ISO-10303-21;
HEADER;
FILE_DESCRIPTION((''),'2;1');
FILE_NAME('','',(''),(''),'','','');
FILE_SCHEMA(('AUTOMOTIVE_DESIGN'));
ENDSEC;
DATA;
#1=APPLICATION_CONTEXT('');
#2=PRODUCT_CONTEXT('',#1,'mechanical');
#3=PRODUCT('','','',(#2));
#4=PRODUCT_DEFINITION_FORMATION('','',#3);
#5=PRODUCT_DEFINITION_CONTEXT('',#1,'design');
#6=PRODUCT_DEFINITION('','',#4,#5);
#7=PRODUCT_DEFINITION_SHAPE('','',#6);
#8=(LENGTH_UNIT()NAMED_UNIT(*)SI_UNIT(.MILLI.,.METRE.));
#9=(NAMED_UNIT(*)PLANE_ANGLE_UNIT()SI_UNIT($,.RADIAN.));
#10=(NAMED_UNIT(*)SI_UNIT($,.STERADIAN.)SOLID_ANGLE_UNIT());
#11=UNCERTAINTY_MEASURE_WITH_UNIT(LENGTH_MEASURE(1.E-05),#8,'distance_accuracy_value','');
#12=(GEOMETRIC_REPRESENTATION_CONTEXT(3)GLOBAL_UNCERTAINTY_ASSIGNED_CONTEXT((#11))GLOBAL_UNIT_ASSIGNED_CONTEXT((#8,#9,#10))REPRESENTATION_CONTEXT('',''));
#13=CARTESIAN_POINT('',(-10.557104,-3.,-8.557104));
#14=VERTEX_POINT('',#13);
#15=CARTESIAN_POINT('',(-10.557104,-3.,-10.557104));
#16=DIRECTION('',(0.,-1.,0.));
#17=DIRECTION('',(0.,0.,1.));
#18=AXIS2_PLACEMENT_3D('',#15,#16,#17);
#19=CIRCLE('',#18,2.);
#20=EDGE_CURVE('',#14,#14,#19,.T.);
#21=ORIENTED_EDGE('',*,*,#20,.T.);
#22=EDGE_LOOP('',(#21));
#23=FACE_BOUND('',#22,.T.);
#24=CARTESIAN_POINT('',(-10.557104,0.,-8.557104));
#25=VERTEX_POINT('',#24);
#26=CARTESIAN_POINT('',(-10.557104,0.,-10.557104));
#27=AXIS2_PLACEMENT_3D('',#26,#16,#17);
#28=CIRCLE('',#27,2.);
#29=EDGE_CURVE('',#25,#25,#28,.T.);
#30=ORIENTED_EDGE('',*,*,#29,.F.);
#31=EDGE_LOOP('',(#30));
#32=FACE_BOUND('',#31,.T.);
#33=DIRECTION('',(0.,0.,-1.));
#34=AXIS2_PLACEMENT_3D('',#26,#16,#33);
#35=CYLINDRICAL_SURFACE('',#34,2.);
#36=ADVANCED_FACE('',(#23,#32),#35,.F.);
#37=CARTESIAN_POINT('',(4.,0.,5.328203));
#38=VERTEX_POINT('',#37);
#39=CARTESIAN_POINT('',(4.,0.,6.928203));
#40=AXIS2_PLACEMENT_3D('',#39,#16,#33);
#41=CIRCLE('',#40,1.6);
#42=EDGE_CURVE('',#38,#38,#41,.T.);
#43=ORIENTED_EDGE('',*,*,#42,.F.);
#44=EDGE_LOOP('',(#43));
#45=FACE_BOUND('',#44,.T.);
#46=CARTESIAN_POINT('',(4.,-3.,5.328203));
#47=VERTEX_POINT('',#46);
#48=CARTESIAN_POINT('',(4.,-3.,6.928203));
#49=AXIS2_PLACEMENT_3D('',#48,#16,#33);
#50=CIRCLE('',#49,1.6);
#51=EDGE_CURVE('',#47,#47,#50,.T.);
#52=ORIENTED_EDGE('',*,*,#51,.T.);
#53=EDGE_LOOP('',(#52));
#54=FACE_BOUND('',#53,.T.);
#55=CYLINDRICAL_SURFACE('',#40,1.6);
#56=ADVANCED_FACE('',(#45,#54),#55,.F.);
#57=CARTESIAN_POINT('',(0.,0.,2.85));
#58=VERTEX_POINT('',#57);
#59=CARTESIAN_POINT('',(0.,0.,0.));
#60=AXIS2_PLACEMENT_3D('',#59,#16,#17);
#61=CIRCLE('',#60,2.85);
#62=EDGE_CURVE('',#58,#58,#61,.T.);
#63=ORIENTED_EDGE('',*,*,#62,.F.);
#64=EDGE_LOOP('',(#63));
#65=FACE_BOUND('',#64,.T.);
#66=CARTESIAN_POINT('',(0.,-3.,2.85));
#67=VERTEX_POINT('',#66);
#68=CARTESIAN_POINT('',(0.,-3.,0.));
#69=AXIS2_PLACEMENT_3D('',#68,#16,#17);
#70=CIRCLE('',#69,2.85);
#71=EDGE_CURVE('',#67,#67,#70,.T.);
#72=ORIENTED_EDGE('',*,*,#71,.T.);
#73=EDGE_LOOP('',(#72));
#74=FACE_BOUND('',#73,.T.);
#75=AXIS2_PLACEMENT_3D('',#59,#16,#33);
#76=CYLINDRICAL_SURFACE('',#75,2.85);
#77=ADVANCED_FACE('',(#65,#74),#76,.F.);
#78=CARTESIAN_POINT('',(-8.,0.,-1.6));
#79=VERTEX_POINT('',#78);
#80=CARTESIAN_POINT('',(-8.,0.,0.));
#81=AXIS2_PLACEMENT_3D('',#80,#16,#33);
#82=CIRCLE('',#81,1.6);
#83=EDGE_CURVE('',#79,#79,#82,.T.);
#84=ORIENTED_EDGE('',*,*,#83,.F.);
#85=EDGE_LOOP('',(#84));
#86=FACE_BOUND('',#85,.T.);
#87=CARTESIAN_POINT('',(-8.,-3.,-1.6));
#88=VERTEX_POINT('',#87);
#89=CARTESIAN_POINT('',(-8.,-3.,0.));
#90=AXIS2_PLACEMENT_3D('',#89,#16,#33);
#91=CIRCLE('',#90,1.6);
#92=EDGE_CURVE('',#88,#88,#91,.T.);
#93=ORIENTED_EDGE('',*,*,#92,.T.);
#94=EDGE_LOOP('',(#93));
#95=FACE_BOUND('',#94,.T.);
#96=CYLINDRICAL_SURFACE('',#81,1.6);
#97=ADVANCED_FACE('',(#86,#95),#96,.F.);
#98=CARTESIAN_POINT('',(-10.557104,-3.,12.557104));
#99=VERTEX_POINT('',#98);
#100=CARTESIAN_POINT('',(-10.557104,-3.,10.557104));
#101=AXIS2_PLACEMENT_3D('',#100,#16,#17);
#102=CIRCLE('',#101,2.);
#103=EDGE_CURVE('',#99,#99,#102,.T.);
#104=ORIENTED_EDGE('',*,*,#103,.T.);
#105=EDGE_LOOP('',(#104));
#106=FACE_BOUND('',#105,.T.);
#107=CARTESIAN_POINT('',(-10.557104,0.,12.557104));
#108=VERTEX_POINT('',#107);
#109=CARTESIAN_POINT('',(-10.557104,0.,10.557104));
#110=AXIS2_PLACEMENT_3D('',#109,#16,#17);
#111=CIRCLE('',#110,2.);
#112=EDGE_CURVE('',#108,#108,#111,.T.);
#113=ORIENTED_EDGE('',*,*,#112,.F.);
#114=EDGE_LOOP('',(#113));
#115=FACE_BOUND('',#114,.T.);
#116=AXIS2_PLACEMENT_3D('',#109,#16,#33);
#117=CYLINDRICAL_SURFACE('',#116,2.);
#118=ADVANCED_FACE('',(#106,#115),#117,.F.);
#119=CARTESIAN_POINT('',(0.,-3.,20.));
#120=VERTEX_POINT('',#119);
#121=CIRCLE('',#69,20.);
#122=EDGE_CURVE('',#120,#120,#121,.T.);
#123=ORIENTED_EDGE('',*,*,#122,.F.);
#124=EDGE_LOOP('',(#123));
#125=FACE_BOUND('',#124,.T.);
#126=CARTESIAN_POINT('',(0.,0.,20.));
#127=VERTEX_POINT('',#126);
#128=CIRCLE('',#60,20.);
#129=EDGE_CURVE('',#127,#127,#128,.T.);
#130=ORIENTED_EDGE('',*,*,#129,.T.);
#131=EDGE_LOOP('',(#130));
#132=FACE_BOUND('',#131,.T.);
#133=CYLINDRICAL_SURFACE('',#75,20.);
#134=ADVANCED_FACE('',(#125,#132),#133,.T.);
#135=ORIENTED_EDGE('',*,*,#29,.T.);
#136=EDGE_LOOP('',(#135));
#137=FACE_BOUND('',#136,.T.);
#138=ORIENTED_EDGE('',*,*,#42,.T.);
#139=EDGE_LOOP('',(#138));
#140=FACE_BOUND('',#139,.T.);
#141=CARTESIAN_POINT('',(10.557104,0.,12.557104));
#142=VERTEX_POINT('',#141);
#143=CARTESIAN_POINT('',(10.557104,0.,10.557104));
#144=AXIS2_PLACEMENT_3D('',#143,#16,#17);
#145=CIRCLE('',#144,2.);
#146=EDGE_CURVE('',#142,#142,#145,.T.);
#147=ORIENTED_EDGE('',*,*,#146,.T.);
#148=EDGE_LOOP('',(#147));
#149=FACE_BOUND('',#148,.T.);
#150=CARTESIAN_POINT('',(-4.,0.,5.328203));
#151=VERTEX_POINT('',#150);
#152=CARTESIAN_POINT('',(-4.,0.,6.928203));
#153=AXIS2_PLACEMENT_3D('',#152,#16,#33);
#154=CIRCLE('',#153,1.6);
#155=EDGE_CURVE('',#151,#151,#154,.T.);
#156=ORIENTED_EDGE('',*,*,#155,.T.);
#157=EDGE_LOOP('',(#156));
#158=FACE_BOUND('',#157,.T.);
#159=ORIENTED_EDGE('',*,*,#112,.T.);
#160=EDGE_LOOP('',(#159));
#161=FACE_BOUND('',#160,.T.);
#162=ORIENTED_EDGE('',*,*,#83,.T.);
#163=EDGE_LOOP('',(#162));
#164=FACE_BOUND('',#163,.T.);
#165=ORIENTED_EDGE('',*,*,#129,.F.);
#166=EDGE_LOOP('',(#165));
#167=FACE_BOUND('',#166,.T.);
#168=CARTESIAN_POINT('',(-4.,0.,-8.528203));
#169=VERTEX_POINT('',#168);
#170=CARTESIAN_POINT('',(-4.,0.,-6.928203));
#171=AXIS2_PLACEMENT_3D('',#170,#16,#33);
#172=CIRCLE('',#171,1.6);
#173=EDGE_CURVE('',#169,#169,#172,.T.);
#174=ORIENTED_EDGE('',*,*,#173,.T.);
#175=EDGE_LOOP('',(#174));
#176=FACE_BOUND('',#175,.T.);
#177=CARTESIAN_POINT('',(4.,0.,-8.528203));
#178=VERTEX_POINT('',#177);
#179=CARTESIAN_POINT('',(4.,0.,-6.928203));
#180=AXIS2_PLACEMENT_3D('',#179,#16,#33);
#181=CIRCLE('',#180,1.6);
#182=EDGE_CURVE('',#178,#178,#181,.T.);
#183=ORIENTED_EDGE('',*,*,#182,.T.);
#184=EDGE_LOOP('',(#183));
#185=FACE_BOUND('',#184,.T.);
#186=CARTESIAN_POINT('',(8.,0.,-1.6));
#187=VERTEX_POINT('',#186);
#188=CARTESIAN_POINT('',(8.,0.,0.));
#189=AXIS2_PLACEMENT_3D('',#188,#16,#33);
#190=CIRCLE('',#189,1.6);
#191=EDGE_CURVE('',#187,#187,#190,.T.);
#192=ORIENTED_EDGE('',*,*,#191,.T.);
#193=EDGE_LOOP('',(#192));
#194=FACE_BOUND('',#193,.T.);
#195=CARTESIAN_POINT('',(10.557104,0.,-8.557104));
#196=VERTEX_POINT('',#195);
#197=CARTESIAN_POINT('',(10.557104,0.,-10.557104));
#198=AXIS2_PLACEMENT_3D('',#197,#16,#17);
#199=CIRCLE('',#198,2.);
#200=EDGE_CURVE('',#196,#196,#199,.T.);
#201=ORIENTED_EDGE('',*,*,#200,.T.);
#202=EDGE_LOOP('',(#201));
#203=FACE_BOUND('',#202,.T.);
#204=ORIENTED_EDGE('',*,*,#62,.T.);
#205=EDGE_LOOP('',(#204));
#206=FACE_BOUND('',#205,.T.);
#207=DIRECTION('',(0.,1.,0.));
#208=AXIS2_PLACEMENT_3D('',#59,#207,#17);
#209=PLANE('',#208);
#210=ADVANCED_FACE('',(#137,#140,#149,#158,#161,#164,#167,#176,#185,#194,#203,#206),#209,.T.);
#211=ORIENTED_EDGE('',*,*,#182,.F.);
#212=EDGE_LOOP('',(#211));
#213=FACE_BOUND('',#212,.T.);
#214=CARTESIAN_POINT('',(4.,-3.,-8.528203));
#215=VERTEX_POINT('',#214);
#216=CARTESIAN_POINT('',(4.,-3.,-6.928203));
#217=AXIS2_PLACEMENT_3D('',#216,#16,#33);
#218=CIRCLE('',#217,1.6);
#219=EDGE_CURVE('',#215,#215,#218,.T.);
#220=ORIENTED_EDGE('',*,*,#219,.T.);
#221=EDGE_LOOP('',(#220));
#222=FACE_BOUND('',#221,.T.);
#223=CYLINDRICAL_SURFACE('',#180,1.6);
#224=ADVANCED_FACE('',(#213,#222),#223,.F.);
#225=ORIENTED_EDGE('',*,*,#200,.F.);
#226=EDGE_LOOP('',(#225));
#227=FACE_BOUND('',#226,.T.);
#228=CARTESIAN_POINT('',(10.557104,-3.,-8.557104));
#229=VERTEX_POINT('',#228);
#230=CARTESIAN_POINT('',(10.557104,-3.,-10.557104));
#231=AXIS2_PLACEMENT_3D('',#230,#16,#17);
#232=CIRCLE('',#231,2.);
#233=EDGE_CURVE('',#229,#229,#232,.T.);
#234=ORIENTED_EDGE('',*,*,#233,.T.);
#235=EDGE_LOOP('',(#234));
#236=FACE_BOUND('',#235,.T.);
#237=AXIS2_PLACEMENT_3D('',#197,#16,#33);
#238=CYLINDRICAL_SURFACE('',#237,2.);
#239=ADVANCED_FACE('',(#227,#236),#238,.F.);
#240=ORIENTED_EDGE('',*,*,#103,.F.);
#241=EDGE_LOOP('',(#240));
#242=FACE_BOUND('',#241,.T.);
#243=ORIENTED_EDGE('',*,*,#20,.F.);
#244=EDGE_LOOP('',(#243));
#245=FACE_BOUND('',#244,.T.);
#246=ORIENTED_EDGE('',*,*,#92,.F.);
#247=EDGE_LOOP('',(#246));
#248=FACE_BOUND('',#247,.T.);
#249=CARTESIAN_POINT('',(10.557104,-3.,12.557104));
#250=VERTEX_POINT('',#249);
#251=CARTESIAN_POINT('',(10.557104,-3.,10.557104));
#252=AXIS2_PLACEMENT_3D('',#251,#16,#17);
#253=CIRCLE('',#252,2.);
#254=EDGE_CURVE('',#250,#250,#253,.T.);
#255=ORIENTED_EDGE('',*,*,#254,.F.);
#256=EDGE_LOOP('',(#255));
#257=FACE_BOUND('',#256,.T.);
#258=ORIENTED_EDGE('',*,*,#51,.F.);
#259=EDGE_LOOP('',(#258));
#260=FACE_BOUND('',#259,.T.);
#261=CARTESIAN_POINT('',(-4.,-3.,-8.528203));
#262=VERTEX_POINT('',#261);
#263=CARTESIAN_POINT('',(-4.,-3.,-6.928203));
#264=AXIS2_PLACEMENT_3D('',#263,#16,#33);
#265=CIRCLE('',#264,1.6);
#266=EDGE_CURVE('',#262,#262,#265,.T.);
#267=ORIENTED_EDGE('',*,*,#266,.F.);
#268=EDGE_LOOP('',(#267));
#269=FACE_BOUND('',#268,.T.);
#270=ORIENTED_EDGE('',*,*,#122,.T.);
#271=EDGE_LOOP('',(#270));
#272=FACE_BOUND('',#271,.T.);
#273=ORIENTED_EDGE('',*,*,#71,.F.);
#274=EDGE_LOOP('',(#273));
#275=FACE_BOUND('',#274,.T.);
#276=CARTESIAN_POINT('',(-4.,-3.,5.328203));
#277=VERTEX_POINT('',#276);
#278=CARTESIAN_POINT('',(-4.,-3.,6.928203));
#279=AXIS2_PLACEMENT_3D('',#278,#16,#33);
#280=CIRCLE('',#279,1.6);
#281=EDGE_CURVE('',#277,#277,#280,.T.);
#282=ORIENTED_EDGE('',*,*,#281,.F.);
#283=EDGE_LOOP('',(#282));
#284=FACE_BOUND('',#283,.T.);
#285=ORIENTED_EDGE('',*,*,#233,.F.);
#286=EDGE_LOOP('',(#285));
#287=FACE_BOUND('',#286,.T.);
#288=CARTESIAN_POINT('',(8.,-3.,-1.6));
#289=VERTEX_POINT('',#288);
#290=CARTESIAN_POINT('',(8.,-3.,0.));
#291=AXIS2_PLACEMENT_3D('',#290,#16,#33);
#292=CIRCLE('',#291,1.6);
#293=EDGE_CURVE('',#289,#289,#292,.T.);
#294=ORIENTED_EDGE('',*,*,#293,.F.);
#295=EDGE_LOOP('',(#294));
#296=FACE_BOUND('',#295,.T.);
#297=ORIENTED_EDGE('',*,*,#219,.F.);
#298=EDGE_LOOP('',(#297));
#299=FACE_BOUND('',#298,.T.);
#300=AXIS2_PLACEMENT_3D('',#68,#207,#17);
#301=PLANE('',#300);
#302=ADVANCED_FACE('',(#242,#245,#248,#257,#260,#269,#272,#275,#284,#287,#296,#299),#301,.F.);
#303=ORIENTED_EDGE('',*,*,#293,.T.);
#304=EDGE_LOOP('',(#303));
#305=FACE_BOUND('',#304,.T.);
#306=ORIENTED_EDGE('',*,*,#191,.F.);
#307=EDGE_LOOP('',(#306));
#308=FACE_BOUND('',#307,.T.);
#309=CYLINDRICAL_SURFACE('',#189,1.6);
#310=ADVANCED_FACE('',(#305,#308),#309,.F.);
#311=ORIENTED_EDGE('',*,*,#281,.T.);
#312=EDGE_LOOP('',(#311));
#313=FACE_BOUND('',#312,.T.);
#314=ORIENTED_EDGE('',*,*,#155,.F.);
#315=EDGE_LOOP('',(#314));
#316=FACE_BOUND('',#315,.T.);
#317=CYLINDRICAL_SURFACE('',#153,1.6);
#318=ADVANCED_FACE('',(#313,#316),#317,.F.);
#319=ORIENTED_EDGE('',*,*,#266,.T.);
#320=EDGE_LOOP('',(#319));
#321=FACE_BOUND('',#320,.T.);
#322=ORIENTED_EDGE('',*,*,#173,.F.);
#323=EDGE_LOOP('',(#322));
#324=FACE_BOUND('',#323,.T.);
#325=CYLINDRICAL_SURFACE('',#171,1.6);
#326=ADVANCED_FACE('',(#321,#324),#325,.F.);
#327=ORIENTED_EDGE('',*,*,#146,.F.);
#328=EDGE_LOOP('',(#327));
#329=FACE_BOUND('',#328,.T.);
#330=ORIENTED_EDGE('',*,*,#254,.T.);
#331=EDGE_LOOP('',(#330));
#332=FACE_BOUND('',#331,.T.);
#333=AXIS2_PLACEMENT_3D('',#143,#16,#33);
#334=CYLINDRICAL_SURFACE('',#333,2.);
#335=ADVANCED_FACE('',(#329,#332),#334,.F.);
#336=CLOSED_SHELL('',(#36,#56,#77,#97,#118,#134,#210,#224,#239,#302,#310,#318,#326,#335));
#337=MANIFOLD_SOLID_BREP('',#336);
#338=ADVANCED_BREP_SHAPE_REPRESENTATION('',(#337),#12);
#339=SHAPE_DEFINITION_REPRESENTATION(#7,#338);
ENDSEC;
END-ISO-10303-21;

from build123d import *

# Parameters (mm, degrees)
ESBO_O1_R                = 20
ESBO_O1_R_2              = 2.85
ESBO_O1_R_3              = 2
ESBO_O1_R_4              = 1.6
RESSALTO_EXTRUS_O1_DEPTH = 3


with BuildPart() as part:
    # Esboço1 → Ressalto-extrusão1 (new body)
    with BuildSketch(Plane.XZ.offset(3)):
        Circle(ESBO_O1_R)
        Circle(ESBO_O1_R_2, mode=Mode.SUBTRACT)
        with Locations((10.557104243, 10.557104243)):
            Circle(ESBO_O1_R_3, mode=Mode.SUBTRACT)
        with Locations((10.557104243, -10.557104243)):
            Circle(ESBO_O1_R_3, mode=Mode.SUBTRACT)
        with Locations((-10.557104243, -10.557104243)):
            Circle(ESBO_O1_R_3, mode=Mode.SUBTRACT)
        with Locations((-10.557104243, 10.557104243)):
            Circle(ESBO_O1_R_3, mode=Mode.SUBTRACT)
        with Locations((-8, 0)):
            Circle(ESBO_O1_R_4, mode=Mode.SUBTRACT)
        with Locations((-4, 6.92820323)):
            Circle(ESBO_O1_R_4, mode=Mode.SUBTRACT)
        with Locations((4, 6.92820323)):
            Circle(ESBO_O1_R_4, mode=Mode.SUBTRACT)
        with Locations((8, 0)):
            Circle(ESBO_O1_R_4, mode=Mode.SUBTRACT)
        with Locations((4, -6.92820323)):
            Circle(ESBO_O1_R_4, mode=Mode.SUBTRACT)
        with Locations((-4, -6.92820323)):
            Circle(ESBO_O1_R_4, mode=Mode.SUBTRACT)
    extrude(amount=-RESSALTO_EXTRUS_O1_DEPTH)


solid = part.part
